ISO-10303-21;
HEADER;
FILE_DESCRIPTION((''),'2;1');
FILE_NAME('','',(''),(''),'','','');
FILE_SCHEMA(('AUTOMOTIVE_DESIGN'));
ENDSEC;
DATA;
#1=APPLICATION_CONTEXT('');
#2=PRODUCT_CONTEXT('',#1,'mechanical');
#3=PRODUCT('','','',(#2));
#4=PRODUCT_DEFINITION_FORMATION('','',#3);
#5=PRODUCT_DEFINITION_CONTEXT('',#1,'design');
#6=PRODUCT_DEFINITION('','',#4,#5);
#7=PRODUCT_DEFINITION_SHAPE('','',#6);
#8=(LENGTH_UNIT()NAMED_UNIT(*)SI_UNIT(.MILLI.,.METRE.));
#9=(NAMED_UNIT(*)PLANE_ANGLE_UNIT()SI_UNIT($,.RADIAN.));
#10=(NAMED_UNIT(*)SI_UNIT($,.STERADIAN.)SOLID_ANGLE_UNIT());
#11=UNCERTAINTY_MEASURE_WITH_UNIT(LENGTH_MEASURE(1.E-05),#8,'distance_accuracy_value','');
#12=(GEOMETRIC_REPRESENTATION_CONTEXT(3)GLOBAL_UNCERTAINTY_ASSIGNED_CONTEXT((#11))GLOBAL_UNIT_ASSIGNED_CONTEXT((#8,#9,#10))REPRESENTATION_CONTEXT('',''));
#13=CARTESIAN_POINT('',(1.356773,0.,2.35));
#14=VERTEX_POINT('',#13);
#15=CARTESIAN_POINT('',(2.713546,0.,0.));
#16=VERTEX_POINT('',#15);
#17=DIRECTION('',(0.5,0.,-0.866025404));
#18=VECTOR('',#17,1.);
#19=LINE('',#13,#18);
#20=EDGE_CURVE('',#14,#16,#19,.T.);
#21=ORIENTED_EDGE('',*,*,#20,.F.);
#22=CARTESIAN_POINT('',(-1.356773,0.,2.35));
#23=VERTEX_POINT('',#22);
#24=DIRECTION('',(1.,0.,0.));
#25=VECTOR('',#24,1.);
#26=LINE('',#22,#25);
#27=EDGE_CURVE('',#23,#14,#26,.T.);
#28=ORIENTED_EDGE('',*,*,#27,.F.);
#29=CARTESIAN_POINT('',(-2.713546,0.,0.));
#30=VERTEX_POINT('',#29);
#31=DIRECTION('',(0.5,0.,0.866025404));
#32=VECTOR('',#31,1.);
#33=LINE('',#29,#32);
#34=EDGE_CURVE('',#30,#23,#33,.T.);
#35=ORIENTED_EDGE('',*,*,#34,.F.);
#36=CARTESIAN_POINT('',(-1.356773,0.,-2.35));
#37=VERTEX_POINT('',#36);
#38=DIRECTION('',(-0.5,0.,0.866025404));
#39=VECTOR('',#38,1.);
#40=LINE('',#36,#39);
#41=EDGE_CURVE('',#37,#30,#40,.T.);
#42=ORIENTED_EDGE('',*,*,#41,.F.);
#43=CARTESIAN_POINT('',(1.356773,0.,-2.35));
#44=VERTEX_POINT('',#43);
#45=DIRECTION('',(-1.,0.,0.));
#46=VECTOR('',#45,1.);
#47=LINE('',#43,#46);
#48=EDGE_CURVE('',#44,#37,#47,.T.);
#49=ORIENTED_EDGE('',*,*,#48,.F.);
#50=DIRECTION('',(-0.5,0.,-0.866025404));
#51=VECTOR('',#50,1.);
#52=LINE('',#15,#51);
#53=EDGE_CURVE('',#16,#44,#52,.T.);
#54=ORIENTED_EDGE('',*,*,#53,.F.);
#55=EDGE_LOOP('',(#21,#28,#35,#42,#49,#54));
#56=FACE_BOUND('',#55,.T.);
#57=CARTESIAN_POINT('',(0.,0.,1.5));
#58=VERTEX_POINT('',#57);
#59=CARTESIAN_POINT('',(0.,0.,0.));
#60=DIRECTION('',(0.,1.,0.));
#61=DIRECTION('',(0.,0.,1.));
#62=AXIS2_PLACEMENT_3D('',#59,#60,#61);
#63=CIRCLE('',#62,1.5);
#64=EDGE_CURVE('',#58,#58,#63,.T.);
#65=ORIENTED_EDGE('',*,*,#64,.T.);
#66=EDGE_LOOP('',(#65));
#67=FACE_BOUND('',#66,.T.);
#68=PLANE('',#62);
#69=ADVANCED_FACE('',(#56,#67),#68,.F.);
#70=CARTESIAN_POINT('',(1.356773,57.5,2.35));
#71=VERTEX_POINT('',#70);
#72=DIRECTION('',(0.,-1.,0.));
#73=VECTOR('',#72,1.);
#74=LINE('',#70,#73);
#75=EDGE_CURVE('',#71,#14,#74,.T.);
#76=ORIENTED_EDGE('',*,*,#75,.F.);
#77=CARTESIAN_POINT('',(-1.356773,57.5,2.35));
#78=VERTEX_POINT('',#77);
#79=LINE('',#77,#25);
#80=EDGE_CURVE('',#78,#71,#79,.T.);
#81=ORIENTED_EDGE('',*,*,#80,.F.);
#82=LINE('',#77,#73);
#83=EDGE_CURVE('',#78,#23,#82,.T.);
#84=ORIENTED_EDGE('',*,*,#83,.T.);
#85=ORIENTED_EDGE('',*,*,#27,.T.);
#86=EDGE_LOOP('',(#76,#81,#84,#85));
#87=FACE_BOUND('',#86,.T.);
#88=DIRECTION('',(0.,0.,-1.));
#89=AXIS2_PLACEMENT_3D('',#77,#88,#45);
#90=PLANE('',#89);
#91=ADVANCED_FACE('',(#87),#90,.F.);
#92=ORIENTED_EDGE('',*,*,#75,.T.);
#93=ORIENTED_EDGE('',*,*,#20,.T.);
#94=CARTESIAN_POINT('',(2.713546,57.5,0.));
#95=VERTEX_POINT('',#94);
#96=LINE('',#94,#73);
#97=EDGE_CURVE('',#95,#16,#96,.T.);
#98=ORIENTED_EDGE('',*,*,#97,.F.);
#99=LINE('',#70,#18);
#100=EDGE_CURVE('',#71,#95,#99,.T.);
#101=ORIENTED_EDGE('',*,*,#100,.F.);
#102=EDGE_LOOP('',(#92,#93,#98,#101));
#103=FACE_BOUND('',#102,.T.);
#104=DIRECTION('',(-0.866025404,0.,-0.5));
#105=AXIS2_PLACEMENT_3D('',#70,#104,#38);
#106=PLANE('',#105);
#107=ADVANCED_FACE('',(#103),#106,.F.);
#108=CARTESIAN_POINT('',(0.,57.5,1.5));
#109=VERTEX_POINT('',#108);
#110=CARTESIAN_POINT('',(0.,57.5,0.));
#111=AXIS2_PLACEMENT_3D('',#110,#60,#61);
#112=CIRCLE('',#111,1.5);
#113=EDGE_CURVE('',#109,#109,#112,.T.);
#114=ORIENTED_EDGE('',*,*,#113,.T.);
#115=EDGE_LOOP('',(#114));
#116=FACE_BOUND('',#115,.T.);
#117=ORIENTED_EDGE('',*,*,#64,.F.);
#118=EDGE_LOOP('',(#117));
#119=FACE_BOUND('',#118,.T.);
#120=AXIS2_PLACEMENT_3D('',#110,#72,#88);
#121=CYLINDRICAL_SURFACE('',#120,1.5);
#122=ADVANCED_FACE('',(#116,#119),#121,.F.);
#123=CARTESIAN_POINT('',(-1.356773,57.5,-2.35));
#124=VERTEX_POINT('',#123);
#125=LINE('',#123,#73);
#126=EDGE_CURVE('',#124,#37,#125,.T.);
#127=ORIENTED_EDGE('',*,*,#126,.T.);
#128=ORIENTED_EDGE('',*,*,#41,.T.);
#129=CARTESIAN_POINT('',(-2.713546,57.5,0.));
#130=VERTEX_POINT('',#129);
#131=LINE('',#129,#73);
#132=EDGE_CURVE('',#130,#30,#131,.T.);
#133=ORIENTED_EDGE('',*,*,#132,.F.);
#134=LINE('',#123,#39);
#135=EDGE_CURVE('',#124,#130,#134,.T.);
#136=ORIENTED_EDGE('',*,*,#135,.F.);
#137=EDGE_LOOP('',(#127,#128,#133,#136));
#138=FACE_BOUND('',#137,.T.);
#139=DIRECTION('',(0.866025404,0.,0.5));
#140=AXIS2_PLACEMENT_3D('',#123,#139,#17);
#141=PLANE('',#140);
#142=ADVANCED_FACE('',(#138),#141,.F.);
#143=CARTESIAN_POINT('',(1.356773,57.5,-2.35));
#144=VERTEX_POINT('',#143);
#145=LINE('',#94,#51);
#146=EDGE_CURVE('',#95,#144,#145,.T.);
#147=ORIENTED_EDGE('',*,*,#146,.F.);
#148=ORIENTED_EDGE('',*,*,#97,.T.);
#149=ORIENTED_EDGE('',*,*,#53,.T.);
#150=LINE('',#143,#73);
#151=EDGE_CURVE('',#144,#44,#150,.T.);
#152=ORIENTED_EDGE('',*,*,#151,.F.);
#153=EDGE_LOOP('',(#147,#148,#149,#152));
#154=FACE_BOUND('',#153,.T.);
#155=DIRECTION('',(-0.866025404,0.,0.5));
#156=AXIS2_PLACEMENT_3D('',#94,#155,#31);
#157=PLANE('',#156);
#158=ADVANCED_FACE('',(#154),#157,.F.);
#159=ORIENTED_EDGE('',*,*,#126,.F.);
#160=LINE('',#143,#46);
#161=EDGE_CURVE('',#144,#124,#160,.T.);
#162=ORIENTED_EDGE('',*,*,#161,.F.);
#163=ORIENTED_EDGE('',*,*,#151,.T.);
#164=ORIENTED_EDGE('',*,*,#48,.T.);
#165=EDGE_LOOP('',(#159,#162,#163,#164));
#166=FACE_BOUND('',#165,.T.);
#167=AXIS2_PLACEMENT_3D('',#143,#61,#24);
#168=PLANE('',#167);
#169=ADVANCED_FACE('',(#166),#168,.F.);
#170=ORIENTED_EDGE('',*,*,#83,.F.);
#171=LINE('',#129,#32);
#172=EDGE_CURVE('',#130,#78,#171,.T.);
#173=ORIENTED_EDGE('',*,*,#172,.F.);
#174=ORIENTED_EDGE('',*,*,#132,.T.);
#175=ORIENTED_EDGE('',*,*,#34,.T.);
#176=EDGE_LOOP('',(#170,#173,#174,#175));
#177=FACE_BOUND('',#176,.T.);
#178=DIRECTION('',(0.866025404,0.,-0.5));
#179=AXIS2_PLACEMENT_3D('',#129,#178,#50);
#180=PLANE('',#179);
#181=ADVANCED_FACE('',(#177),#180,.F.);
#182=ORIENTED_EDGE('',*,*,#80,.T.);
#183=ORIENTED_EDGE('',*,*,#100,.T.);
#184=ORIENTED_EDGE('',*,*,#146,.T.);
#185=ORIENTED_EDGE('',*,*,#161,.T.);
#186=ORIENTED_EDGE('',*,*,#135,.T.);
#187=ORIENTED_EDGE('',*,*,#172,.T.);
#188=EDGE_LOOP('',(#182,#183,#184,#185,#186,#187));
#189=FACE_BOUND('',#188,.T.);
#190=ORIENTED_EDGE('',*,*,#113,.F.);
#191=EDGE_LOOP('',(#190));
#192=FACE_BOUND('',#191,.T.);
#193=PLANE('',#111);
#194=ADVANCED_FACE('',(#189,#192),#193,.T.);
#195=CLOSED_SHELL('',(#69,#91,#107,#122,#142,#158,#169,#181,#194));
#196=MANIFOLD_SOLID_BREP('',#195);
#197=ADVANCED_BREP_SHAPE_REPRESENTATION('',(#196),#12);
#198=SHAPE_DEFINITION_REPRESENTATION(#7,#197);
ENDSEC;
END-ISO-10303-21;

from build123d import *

# Parameters (mm, degrees)
SKETCH2_R           = 1.5
BOSS_EXTRUDE1_DEPTH = 57.5


with BuildPart() as part:
    # Sketch2 → Boss-Extrude1 (new body)
    with BuildSketch(Plane(origin=(0, 0, 0), x_dir=(1, 0, 0), z_dir=(0, 1, 0))):
        Polygon((2.713546265, 0), (1.356773133, 2.35), (-1.356773133, 2.35), (-2.713546265, 0), (-1.356773133, -2.35), (1.356773133, -2.35), align=None)
        Circle(SKETCH2_R, mode=Mode.SUBTRACT)
    extrude(amount=BOSS_EXTRUDE1_DEPTH)


solid = part.part
